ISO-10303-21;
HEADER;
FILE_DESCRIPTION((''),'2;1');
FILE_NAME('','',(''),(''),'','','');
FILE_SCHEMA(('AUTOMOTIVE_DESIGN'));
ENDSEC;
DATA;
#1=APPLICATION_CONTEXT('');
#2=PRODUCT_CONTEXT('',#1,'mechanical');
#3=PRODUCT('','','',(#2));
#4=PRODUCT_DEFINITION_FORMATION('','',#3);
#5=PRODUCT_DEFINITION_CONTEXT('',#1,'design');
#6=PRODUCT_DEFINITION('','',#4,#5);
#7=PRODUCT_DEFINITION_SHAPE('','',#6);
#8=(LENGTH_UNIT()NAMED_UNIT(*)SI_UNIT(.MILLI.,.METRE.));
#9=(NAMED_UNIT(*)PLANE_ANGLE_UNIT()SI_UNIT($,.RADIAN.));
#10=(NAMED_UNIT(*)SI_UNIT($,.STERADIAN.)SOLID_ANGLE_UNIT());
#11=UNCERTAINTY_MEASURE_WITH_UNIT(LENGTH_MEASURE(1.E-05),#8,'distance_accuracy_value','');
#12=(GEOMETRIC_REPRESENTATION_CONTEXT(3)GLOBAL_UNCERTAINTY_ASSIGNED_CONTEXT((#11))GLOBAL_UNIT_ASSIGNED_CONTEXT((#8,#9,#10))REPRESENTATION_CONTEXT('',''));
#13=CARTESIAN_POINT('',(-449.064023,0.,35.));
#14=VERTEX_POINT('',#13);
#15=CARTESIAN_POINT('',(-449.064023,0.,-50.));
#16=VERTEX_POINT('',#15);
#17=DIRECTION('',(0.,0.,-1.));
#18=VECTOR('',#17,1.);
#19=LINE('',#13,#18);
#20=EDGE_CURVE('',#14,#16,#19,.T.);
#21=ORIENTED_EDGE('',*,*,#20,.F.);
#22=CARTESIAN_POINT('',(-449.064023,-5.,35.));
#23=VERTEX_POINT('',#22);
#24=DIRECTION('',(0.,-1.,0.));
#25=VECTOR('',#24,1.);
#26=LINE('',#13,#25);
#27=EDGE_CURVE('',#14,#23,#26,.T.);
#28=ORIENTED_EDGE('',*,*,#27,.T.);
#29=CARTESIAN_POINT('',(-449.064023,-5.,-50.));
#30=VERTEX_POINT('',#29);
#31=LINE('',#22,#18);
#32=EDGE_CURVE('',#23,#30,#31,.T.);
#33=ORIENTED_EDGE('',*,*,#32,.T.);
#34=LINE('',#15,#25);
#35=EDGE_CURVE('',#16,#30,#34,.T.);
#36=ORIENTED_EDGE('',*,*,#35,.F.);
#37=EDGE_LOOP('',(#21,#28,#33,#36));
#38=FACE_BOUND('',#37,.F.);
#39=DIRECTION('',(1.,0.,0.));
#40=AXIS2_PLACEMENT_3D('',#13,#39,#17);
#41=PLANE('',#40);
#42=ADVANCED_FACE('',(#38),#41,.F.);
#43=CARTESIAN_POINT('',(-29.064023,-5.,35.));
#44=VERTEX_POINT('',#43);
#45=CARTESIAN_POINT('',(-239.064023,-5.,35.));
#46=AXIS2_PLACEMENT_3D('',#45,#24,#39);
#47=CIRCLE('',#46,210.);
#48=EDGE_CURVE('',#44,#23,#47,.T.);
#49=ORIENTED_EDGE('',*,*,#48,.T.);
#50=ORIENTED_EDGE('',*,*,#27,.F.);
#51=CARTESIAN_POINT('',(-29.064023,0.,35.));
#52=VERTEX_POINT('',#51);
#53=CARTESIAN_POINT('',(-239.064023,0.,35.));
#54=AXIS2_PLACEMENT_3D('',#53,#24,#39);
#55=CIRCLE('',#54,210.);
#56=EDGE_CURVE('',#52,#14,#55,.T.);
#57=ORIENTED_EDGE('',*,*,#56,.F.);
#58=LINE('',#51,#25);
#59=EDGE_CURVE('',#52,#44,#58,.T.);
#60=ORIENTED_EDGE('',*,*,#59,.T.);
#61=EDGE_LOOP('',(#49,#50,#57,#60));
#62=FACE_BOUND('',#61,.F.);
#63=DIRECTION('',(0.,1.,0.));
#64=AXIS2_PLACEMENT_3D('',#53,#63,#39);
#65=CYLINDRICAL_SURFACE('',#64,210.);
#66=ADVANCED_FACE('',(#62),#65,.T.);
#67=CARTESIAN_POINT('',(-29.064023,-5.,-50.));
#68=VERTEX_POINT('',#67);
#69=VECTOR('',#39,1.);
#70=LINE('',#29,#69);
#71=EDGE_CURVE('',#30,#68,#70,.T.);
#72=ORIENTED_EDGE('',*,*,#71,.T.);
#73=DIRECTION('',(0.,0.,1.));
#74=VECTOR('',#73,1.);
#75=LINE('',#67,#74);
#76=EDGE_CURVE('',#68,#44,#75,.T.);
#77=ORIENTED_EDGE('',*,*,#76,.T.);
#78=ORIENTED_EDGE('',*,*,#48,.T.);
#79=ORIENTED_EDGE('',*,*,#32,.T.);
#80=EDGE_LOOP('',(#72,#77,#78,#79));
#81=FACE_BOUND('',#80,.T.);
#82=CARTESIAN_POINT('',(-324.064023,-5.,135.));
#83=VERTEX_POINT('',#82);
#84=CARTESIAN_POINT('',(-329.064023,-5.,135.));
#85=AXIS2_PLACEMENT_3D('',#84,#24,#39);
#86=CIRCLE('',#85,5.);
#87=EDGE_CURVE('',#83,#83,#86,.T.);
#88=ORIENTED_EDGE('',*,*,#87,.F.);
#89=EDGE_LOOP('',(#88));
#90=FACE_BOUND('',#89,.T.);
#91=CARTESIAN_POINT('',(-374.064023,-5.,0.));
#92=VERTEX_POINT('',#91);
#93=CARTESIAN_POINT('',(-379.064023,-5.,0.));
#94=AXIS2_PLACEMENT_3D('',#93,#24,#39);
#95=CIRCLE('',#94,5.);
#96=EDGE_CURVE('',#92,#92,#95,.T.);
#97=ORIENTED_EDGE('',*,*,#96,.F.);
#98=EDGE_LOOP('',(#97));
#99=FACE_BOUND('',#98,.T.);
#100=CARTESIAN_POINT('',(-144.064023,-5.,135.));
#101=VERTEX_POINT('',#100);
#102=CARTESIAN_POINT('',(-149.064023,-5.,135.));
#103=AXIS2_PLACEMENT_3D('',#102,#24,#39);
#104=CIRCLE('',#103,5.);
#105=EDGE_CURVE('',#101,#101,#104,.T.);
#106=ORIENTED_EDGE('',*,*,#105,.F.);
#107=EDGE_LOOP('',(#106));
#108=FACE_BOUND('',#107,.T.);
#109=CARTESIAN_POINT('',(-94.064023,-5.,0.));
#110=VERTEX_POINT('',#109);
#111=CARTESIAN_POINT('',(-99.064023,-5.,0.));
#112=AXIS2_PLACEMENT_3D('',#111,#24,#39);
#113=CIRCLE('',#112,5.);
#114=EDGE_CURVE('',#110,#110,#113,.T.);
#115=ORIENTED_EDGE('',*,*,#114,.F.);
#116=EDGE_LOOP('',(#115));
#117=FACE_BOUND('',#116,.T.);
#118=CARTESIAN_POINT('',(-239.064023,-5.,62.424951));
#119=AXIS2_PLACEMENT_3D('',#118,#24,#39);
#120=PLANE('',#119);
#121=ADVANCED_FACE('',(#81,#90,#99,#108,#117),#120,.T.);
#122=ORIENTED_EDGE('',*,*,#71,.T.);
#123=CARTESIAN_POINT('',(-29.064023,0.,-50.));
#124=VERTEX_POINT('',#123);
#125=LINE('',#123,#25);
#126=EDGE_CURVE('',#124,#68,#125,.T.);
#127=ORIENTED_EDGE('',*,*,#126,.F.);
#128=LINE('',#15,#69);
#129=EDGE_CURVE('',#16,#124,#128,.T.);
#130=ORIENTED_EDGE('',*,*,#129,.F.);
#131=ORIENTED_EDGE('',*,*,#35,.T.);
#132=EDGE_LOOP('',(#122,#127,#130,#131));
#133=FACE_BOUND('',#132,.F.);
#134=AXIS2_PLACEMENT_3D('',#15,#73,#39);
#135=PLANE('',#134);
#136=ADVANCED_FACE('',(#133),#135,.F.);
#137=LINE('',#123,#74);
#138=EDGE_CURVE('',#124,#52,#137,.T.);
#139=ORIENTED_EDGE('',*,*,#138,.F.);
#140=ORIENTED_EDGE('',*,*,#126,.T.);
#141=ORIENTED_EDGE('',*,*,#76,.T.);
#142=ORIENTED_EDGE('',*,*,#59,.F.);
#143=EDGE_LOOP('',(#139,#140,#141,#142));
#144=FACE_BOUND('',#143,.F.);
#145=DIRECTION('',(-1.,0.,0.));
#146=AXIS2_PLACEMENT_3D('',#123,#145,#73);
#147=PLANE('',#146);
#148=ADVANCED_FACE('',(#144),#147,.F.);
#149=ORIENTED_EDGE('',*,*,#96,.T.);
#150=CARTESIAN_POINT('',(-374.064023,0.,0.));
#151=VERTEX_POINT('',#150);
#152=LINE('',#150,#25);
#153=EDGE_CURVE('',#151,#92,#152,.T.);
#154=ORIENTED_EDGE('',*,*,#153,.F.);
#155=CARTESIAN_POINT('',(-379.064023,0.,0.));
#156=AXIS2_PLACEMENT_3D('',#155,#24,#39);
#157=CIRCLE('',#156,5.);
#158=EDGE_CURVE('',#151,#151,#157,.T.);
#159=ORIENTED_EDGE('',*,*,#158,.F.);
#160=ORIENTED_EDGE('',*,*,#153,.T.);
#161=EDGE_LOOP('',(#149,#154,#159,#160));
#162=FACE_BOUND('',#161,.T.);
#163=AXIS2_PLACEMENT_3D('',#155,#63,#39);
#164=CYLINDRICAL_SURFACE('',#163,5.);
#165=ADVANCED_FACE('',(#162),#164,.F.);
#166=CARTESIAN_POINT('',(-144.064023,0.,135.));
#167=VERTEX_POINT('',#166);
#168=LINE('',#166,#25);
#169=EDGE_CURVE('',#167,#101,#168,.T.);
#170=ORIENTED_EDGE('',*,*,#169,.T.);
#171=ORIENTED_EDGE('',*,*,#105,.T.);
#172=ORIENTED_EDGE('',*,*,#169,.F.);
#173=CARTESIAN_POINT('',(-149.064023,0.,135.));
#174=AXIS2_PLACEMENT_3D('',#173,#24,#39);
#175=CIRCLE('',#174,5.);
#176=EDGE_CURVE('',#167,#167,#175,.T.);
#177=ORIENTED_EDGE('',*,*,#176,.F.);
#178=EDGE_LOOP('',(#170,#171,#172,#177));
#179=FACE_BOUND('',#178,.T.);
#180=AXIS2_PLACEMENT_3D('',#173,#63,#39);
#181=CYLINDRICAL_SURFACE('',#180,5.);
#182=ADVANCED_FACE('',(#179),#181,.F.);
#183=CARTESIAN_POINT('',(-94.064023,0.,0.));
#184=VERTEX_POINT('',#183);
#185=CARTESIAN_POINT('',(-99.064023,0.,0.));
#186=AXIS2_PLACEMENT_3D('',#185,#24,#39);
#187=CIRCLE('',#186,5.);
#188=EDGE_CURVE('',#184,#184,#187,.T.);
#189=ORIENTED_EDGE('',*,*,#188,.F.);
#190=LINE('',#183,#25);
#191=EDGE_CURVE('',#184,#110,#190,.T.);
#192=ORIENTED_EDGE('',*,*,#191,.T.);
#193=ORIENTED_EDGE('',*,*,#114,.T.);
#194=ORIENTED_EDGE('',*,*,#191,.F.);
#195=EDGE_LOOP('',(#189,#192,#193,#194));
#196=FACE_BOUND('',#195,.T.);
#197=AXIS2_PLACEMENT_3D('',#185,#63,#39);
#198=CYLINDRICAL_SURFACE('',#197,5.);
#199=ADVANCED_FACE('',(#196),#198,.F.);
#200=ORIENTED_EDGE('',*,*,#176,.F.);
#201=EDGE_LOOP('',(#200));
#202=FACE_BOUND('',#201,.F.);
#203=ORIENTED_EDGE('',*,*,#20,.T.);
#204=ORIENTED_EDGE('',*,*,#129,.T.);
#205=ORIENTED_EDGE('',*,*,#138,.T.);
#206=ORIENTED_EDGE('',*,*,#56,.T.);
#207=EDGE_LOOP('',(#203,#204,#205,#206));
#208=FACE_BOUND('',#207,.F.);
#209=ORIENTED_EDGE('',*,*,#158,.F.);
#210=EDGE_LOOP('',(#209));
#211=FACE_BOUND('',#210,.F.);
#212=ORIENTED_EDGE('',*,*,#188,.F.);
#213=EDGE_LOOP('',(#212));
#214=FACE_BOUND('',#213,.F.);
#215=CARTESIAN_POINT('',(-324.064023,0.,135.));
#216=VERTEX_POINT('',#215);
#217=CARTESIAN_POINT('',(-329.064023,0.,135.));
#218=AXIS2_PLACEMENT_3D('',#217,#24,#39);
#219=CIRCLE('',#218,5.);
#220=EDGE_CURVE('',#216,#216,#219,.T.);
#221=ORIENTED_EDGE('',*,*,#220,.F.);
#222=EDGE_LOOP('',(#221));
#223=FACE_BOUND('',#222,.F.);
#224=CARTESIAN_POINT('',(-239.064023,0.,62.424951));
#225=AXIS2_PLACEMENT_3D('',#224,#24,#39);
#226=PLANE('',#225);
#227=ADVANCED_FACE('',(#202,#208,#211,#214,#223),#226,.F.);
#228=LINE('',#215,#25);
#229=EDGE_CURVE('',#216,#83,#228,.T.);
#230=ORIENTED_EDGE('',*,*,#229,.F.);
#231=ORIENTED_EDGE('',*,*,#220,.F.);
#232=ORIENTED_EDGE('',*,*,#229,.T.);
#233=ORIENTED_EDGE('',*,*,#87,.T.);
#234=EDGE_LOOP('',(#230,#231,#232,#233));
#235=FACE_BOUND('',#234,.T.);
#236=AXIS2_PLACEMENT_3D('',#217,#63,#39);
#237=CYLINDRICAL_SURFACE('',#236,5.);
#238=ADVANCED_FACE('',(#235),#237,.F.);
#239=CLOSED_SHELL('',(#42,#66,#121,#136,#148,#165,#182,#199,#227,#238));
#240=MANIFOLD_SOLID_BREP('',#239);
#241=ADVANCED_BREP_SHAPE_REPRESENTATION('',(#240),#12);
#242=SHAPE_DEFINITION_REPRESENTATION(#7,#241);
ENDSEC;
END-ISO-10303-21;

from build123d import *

# Parameters (mm, degrees)
F0_R     = 5
F1_DEPTH = 5


with BuildPart() as f1:
    # F0 (on Front) → F1 (new body)
    with BuildSketch(Plane.XZ):
        with BuildLine():
            Line((-29.064023, -50), (-29.064023, 35))
            ThreePointArc((-29.064023, 35), (-239.064023, 245), (-449.064023, 35))
            Line((-449.064023, 35), (-449.064023, -50))
            Line((-449.064023, -50), (-29.064023, -50))
        make_face()
        with Locations((-379.064023, 0)):
            Circle(F0_R, mode=Mode.SUBTRACT)
        with Locations((-99.064023, 0)):
            Circle(F0_R, mode=Mode.SUBTRACT)
        with Locations((-329.064023, 135)):
            Circle(F0_R, mode=Mode.SUBTRACT)
        with Locations((-149.064023, 135)):
            Circle(F0_R, mode=Mode.SUBTRACT)
    extrude(amount=F1_DEPTH)


solid = f1.part
